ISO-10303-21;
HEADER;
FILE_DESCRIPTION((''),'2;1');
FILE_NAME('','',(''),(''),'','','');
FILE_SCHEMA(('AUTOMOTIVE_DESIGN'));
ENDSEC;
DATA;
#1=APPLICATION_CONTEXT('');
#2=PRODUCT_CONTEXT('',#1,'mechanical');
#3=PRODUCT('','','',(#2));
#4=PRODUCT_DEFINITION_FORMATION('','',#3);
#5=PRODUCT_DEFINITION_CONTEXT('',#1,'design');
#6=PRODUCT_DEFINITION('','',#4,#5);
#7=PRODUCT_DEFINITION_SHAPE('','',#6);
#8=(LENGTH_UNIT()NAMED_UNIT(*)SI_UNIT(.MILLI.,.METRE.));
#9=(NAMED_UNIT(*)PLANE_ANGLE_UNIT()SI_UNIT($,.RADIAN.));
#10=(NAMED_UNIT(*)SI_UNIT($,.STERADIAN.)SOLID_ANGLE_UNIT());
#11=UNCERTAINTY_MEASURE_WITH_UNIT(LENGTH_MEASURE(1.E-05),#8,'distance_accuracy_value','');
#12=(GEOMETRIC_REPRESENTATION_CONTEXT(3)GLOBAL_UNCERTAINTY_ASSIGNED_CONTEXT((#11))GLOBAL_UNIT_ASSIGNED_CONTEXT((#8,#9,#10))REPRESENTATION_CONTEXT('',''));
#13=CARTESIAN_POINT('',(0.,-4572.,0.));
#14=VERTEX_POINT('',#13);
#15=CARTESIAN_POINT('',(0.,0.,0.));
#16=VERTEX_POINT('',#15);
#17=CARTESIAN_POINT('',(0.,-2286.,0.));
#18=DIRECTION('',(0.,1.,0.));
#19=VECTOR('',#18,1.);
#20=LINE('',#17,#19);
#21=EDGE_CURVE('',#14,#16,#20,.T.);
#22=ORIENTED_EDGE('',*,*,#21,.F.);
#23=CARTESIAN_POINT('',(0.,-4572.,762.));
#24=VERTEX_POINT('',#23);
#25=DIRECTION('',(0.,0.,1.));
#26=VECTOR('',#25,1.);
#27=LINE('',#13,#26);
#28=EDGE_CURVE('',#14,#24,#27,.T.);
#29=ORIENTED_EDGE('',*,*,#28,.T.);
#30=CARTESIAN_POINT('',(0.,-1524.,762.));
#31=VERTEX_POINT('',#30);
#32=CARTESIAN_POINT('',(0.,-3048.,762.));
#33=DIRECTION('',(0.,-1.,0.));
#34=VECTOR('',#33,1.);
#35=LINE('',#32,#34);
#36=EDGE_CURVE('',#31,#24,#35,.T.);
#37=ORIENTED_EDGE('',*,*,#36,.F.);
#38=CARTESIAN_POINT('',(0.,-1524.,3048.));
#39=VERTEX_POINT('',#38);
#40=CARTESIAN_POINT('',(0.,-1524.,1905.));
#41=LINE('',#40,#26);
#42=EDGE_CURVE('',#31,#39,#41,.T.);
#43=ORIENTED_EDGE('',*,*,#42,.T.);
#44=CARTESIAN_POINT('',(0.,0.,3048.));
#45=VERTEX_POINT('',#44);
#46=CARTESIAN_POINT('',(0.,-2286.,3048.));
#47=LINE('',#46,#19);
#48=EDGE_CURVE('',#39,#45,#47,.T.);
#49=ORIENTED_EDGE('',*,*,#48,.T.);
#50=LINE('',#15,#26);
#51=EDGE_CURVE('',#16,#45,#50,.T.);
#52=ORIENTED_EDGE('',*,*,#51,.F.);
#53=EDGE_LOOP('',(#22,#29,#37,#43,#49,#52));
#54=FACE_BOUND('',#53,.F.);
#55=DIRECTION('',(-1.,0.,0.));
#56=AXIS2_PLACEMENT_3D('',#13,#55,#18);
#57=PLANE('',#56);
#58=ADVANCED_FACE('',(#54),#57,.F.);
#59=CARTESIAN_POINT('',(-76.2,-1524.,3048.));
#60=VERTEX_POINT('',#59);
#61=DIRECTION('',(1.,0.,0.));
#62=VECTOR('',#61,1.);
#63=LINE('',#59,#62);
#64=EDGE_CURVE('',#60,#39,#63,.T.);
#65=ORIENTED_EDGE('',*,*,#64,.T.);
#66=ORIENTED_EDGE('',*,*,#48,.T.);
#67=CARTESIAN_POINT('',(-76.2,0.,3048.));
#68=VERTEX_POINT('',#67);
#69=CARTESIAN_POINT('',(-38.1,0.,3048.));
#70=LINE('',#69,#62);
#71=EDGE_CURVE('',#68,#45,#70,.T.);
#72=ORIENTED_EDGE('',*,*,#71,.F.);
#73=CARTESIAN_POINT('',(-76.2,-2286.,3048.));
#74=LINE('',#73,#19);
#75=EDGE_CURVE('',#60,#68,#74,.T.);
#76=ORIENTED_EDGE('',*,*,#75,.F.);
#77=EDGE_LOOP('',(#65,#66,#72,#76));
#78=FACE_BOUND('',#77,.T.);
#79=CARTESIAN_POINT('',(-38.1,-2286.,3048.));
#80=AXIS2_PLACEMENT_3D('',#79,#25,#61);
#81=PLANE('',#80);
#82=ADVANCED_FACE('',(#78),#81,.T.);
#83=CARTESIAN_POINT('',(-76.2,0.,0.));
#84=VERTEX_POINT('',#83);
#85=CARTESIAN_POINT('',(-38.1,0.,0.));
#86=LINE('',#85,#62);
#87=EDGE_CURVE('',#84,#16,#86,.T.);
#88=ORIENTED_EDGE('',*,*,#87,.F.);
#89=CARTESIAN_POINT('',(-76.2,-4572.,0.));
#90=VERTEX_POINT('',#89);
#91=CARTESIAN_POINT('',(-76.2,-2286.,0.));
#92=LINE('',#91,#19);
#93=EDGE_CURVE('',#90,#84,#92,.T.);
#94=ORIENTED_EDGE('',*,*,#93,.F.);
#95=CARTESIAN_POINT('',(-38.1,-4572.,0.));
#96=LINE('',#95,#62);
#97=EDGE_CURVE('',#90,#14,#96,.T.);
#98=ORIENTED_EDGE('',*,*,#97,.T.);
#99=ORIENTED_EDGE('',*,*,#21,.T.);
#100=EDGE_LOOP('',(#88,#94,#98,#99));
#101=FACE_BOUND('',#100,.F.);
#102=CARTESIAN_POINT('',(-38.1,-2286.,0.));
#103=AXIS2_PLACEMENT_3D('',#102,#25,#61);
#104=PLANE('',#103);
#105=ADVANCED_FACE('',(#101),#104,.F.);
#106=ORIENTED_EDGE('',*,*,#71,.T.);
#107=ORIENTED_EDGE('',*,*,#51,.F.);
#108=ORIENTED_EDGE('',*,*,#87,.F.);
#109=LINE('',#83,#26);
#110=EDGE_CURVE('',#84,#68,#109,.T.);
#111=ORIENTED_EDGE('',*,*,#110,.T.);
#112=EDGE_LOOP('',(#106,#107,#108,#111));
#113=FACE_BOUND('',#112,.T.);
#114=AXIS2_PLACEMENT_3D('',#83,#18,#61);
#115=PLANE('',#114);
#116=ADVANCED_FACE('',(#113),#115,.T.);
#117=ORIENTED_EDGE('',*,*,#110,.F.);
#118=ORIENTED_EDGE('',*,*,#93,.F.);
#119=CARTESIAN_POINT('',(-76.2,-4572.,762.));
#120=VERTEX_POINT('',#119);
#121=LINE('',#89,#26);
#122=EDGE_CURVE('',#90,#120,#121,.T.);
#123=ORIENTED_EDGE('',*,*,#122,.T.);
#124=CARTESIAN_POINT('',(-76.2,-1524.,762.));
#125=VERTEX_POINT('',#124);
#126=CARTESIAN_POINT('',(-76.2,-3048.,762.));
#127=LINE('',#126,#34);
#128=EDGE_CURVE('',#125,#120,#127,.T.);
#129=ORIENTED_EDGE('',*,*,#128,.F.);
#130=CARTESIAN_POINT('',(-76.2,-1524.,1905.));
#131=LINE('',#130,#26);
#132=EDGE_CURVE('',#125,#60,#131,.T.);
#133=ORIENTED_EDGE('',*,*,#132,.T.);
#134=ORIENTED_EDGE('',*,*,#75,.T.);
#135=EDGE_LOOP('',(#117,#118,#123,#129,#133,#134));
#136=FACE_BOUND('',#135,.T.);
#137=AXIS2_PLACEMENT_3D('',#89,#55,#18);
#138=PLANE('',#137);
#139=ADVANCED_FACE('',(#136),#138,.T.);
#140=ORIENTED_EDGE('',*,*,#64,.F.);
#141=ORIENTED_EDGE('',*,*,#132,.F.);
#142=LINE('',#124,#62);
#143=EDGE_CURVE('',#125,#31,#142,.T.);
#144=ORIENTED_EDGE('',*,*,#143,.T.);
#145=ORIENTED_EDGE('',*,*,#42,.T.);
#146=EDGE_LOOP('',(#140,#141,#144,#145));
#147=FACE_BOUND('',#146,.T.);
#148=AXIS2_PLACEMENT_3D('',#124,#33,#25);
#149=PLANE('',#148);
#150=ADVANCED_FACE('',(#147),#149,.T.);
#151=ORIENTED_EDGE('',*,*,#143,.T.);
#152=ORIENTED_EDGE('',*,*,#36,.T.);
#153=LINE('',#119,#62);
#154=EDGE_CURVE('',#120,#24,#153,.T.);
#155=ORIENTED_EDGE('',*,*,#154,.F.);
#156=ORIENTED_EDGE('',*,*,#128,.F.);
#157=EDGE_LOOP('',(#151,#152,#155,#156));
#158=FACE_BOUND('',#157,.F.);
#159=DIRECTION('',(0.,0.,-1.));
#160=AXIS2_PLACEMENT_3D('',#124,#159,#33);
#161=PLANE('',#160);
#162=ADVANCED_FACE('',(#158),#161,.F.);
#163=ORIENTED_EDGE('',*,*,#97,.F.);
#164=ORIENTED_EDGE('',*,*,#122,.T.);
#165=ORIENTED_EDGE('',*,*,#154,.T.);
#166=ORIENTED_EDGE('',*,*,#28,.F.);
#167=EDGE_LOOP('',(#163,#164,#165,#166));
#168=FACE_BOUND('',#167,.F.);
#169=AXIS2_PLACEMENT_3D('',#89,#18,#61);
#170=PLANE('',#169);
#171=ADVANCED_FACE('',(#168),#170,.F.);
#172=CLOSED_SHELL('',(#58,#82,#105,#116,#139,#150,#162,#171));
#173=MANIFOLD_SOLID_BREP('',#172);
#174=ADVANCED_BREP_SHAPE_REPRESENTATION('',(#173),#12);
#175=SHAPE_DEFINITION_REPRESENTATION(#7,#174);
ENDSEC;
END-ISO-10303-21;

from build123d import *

# Parameters (mm, degrees)
F0_W     = 76.2
F0_H     = 4572
F1_DEPTH = 3048
F2_W     = 3048
F2_H     = 2286
F3_DEPTH = 76.2


with BuildPart() as f1:
    # F0 (on Top) → F1 (new body)
    with BuildSketch(Plane.XY):
        with Locations((-38.1, -2286)):
            Rectangle(F0_W, F0_H)
    extrude(amount=F1_DEPTH)

    # F2 (on face) → F3 (cut, through all)
    with BuildSketch(Plane(origin=(-76.2, 0, 0), x_dir=(0, -1, 0), z_dir=(-1, 0, 0))):
        with Locations((3048, 1905)):
            Rectangle(F2_W, F2_H)
    extrude(amount=-F3_DEPTH, mode=Mode.SUBTRACT)


solid = f1.part
